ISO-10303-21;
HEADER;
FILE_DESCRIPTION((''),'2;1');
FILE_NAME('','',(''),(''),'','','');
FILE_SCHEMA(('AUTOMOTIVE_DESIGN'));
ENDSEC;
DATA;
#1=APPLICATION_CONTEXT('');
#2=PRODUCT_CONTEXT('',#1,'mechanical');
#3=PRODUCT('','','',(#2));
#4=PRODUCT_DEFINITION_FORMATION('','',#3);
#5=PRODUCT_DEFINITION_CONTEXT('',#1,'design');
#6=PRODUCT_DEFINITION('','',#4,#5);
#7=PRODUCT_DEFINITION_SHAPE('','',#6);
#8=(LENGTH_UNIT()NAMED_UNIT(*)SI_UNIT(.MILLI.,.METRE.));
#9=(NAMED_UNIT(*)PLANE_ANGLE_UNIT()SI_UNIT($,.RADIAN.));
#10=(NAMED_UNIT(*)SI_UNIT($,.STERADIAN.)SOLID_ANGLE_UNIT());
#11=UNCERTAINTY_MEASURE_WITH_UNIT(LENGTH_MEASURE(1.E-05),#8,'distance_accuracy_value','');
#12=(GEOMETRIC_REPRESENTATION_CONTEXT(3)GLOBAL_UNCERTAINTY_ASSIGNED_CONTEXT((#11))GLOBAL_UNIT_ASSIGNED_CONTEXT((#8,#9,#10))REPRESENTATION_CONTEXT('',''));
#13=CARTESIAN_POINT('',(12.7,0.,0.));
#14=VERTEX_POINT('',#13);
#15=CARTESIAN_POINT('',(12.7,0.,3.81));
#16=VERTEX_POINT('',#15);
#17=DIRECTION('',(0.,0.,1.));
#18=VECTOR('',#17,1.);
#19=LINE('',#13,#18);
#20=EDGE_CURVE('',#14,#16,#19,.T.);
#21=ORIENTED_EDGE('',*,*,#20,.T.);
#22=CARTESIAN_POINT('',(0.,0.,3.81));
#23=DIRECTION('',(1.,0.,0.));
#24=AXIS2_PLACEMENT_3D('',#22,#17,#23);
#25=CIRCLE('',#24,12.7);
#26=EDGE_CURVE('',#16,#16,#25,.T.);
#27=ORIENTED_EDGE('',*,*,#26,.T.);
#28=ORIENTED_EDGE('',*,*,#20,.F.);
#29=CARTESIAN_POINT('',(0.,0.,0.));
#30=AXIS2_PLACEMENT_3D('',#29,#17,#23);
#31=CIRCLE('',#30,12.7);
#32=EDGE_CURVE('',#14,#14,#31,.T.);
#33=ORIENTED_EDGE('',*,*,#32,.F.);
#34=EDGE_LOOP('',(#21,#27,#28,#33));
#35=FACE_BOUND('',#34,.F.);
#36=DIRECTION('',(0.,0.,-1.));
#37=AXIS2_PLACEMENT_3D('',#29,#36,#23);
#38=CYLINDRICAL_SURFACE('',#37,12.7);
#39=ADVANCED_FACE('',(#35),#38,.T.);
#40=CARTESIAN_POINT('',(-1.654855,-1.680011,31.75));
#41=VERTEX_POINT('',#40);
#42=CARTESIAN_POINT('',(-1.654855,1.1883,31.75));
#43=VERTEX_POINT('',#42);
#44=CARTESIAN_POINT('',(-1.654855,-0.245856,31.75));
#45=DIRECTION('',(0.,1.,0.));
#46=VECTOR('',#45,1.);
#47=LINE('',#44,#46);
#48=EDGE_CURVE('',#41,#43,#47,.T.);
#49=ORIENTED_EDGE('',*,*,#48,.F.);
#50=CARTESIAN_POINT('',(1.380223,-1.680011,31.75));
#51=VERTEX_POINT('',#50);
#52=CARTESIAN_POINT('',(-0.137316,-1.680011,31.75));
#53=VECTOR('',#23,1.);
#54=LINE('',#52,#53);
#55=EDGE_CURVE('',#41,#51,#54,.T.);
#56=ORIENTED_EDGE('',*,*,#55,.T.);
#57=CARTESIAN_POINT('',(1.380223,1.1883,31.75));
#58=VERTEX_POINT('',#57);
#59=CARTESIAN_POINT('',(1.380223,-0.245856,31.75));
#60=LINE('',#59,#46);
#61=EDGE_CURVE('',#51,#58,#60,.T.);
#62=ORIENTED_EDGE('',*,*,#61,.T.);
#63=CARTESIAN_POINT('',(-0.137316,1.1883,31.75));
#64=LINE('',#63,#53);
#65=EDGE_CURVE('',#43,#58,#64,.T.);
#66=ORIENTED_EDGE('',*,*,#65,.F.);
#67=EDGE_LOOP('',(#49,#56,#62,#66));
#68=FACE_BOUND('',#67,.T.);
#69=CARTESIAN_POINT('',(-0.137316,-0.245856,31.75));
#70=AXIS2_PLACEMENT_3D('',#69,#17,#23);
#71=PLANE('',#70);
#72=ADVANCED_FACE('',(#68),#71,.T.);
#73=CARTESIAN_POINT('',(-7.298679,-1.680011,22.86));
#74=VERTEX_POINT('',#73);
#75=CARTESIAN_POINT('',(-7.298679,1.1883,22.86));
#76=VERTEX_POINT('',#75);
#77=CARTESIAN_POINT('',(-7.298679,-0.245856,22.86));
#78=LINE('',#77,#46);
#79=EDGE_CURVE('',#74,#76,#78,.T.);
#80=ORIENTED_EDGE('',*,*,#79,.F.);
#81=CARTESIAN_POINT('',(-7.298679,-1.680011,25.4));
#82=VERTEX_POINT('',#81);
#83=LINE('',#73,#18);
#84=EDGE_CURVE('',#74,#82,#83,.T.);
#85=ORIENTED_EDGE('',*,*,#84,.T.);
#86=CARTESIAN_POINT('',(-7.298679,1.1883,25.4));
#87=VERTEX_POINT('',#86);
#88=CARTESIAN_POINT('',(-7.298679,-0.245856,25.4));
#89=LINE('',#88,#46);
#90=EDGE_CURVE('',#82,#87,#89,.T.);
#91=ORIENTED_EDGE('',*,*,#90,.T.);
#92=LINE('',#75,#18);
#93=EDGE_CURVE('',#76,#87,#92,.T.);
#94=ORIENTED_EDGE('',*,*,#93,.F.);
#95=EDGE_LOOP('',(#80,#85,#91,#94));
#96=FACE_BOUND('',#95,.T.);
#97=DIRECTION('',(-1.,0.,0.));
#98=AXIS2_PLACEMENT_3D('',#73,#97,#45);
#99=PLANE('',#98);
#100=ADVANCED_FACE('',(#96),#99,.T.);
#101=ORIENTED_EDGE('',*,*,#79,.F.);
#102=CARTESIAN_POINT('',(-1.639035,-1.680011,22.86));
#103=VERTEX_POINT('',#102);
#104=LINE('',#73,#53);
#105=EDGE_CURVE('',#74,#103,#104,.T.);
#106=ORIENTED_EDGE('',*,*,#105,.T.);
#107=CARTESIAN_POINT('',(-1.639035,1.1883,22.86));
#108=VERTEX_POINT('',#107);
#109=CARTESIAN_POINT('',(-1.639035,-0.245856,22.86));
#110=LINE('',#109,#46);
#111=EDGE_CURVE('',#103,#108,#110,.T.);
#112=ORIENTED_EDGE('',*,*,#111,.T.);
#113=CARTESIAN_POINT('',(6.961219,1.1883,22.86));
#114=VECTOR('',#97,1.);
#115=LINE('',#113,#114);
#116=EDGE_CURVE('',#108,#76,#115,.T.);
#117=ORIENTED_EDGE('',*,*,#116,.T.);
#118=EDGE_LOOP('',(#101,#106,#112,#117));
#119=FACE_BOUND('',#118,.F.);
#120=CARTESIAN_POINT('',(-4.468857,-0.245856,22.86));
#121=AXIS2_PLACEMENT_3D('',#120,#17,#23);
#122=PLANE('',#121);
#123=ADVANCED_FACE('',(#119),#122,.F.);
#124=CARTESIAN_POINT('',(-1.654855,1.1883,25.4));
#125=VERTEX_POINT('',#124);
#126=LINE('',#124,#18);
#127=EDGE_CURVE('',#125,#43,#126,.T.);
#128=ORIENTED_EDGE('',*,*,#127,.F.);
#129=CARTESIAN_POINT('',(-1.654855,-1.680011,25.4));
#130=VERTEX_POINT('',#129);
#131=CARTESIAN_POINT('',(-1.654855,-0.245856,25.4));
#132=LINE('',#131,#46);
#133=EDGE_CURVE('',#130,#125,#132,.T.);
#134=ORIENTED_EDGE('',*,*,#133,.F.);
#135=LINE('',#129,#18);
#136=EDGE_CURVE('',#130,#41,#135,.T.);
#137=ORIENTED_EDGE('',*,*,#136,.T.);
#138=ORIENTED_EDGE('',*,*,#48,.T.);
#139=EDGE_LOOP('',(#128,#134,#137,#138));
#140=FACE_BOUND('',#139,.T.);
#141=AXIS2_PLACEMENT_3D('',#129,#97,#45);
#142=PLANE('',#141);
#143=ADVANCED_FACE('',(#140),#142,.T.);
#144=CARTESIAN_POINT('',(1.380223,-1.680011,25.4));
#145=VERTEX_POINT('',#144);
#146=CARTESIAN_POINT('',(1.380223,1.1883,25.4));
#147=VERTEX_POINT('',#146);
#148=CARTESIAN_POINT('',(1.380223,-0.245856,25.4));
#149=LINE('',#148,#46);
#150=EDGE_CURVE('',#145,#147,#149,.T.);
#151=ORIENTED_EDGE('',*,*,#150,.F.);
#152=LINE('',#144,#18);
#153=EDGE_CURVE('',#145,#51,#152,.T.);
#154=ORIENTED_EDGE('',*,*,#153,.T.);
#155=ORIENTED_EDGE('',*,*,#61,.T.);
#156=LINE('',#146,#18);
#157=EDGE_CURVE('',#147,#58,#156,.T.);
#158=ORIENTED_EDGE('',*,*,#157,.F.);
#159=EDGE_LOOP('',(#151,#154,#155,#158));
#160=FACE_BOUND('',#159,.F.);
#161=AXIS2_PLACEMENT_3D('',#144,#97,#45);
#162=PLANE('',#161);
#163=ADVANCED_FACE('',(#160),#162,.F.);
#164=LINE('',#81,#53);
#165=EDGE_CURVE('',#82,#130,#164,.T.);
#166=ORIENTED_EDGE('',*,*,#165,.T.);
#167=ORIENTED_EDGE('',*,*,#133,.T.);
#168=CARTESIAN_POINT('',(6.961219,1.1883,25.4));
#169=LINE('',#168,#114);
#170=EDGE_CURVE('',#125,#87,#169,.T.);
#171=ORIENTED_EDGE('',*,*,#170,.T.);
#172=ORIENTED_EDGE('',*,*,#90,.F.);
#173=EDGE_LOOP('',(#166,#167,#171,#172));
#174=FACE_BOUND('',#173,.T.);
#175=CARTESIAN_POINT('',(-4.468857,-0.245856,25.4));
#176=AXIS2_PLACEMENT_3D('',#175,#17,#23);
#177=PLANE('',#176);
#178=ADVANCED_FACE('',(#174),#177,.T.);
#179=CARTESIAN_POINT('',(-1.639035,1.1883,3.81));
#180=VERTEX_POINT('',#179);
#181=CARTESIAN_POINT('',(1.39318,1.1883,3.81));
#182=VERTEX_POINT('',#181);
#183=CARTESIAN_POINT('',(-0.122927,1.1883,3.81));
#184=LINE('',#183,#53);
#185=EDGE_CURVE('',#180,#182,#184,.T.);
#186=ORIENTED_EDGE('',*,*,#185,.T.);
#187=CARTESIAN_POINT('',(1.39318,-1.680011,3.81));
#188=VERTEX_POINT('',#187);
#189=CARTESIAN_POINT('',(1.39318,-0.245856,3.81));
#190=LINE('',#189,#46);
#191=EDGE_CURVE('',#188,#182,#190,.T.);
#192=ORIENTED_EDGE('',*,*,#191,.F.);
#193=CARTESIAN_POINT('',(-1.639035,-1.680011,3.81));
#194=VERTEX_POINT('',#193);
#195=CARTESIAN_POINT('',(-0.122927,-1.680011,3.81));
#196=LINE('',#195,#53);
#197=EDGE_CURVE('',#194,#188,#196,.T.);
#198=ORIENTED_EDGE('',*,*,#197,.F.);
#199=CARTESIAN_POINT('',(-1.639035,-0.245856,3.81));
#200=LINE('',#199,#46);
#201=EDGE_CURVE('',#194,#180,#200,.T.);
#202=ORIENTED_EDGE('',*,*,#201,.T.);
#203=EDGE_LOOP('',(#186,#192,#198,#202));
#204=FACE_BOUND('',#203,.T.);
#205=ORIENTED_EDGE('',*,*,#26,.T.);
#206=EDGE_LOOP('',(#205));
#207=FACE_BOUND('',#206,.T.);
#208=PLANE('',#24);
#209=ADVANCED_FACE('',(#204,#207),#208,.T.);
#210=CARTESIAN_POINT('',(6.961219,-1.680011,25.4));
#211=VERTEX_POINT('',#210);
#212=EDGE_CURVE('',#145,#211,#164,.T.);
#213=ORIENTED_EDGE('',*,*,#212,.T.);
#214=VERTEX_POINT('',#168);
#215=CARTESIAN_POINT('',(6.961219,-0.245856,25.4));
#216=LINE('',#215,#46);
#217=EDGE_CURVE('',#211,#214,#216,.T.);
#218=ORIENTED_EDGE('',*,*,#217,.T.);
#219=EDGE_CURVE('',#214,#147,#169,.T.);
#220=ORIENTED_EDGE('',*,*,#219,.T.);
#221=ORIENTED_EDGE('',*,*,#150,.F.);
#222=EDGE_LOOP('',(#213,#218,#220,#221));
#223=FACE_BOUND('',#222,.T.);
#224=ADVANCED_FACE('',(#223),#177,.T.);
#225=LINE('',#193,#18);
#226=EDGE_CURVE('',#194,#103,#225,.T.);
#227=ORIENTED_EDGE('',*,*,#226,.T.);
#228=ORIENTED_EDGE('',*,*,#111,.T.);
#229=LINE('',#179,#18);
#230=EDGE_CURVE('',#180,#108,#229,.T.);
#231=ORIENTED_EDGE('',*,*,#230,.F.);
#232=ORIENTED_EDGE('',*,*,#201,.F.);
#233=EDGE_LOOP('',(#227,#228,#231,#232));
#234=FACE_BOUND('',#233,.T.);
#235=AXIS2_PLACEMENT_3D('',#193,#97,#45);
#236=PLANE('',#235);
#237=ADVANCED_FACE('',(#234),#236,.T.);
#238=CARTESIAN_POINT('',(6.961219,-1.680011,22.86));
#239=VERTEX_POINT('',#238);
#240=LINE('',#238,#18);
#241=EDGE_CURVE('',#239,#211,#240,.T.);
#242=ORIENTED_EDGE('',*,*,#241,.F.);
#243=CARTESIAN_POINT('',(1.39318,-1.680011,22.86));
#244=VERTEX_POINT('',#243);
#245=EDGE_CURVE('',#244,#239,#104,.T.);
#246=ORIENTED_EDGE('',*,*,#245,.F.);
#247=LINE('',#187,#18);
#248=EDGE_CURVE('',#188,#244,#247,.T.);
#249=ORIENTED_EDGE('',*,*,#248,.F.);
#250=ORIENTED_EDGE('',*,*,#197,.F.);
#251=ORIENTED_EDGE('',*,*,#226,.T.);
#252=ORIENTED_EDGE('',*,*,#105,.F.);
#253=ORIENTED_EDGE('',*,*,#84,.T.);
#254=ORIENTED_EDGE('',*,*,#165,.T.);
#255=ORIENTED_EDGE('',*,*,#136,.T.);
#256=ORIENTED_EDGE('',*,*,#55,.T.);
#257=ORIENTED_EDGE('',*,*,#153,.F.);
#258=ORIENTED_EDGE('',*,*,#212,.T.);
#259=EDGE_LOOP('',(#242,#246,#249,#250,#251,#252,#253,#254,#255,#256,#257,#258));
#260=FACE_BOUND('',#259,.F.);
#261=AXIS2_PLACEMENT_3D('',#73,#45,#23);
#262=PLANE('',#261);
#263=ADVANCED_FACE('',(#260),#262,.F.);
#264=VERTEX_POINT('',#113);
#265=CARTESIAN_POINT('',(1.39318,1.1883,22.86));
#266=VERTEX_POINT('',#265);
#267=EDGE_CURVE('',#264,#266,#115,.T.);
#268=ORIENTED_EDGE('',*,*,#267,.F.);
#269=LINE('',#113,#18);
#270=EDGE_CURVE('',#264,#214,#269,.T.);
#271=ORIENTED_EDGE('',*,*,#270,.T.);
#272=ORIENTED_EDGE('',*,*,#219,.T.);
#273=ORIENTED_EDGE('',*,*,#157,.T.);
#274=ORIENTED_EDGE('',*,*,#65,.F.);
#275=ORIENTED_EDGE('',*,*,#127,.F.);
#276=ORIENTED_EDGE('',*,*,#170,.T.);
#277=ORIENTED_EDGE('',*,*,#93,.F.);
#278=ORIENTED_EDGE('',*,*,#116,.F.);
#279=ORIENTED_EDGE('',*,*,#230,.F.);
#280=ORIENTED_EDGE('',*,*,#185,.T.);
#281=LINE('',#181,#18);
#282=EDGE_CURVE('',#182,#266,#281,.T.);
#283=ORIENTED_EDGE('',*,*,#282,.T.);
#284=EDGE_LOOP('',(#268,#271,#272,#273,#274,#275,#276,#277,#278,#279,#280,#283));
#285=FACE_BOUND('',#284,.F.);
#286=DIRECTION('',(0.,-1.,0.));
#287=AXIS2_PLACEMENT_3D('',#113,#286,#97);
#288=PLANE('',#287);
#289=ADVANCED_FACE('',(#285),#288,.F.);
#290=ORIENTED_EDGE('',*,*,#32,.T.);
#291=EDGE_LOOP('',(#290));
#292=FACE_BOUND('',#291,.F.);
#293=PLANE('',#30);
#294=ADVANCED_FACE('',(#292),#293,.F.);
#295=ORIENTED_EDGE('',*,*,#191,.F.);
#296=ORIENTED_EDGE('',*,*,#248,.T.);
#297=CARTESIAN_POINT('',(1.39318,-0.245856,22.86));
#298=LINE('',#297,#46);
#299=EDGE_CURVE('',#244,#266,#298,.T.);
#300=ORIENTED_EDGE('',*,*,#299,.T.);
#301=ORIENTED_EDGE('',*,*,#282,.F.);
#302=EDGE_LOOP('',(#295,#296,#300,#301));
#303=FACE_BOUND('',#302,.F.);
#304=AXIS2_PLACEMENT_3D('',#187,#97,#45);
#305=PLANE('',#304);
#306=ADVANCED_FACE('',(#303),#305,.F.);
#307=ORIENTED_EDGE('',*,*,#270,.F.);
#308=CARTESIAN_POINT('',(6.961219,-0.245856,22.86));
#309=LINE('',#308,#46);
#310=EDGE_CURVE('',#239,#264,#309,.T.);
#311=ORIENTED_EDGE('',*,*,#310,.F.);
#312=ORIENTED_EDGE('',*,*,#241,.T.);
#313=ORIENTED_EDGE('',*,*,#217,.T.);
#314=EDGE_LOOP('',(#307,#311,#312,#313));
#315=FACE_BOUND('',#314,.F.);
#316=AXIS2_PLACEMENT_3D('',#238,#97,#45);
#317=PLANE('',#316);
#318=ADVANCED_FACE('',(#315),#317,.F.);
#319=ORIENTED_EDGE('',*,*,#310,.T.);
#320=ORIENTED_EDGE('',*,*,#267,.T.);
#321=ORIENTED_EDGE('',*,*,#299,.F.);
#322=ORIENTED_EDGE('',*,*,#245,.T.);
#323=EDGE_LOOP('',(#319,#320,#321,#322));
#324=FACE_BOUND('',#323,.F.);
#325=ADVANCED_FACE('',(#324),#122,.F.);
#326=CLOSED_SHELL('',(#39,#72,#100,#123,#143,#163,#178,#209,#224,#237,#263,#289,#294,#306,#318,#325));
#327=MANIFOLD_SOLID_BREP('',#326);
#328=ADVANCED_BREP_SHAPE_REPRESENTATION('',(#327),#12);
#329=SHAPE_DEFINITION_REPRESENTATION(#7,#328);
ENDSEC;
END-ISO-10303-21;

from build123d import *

# Parameters (mm, degrees)
F0_R     = 12.7
F1_DEPTH = 3.81
F2_W     = 3.0322148232
F2_H     = 2.8683111304
F3_DEPTH = 19.05
F4_W     = 5.6596440263
F4_H     = 2.8683111304
F4_W_2   = 3.0322148232
F4_W_3   = 5.5680392543
F5_DEPTH = 2.54
F6_W     = 3.0350781744
F6_H     = 2.8683111304
F7_DEPTH = 6.35


with BuildPart() as f1:
    # F0 (on Top) → F1 (new body)
    with BuildSketch(Plane.XY):
        Circle(F0_R)
    extrude(amount=F1_DEPTH)

    # F2 (on face) → F3 (join)
    with BuildSketch(Plane.XY.offset(3.81)):
        with Locations((-0.1229271875, -0.2458557137)):
            Rectangle(F2_W, F2_H)
    extrude(amount=F3_DEPTH)

    # F4 (on face) → F5 (join)
    with BuildSketch(Plane.XY.offset(22.86)):
        with Locations((-4.4688566122, -0.2458557137)):
            Rectangle(F4_W, F4_H)
        with Locations((-0.1229271875, -0.2458557137)):
            Rectangle(F4_W_2, F4_H)
        with Locations((4.1771998513, -0.2458557137)):
            Rectangle(F4_W_3, F4_H)
    extrude(amount=F5_DEPTH)

    # F6 (on face) → F7 (join)
    with BuildSketch(Plane.XY.offset(25.4)):
        with Locations((-0.1373158884, -0.2458557137)):
            Rectangle(F6_W, F6_H)
    extrude(amount=F7_DEPTH)


solid = f1.part
